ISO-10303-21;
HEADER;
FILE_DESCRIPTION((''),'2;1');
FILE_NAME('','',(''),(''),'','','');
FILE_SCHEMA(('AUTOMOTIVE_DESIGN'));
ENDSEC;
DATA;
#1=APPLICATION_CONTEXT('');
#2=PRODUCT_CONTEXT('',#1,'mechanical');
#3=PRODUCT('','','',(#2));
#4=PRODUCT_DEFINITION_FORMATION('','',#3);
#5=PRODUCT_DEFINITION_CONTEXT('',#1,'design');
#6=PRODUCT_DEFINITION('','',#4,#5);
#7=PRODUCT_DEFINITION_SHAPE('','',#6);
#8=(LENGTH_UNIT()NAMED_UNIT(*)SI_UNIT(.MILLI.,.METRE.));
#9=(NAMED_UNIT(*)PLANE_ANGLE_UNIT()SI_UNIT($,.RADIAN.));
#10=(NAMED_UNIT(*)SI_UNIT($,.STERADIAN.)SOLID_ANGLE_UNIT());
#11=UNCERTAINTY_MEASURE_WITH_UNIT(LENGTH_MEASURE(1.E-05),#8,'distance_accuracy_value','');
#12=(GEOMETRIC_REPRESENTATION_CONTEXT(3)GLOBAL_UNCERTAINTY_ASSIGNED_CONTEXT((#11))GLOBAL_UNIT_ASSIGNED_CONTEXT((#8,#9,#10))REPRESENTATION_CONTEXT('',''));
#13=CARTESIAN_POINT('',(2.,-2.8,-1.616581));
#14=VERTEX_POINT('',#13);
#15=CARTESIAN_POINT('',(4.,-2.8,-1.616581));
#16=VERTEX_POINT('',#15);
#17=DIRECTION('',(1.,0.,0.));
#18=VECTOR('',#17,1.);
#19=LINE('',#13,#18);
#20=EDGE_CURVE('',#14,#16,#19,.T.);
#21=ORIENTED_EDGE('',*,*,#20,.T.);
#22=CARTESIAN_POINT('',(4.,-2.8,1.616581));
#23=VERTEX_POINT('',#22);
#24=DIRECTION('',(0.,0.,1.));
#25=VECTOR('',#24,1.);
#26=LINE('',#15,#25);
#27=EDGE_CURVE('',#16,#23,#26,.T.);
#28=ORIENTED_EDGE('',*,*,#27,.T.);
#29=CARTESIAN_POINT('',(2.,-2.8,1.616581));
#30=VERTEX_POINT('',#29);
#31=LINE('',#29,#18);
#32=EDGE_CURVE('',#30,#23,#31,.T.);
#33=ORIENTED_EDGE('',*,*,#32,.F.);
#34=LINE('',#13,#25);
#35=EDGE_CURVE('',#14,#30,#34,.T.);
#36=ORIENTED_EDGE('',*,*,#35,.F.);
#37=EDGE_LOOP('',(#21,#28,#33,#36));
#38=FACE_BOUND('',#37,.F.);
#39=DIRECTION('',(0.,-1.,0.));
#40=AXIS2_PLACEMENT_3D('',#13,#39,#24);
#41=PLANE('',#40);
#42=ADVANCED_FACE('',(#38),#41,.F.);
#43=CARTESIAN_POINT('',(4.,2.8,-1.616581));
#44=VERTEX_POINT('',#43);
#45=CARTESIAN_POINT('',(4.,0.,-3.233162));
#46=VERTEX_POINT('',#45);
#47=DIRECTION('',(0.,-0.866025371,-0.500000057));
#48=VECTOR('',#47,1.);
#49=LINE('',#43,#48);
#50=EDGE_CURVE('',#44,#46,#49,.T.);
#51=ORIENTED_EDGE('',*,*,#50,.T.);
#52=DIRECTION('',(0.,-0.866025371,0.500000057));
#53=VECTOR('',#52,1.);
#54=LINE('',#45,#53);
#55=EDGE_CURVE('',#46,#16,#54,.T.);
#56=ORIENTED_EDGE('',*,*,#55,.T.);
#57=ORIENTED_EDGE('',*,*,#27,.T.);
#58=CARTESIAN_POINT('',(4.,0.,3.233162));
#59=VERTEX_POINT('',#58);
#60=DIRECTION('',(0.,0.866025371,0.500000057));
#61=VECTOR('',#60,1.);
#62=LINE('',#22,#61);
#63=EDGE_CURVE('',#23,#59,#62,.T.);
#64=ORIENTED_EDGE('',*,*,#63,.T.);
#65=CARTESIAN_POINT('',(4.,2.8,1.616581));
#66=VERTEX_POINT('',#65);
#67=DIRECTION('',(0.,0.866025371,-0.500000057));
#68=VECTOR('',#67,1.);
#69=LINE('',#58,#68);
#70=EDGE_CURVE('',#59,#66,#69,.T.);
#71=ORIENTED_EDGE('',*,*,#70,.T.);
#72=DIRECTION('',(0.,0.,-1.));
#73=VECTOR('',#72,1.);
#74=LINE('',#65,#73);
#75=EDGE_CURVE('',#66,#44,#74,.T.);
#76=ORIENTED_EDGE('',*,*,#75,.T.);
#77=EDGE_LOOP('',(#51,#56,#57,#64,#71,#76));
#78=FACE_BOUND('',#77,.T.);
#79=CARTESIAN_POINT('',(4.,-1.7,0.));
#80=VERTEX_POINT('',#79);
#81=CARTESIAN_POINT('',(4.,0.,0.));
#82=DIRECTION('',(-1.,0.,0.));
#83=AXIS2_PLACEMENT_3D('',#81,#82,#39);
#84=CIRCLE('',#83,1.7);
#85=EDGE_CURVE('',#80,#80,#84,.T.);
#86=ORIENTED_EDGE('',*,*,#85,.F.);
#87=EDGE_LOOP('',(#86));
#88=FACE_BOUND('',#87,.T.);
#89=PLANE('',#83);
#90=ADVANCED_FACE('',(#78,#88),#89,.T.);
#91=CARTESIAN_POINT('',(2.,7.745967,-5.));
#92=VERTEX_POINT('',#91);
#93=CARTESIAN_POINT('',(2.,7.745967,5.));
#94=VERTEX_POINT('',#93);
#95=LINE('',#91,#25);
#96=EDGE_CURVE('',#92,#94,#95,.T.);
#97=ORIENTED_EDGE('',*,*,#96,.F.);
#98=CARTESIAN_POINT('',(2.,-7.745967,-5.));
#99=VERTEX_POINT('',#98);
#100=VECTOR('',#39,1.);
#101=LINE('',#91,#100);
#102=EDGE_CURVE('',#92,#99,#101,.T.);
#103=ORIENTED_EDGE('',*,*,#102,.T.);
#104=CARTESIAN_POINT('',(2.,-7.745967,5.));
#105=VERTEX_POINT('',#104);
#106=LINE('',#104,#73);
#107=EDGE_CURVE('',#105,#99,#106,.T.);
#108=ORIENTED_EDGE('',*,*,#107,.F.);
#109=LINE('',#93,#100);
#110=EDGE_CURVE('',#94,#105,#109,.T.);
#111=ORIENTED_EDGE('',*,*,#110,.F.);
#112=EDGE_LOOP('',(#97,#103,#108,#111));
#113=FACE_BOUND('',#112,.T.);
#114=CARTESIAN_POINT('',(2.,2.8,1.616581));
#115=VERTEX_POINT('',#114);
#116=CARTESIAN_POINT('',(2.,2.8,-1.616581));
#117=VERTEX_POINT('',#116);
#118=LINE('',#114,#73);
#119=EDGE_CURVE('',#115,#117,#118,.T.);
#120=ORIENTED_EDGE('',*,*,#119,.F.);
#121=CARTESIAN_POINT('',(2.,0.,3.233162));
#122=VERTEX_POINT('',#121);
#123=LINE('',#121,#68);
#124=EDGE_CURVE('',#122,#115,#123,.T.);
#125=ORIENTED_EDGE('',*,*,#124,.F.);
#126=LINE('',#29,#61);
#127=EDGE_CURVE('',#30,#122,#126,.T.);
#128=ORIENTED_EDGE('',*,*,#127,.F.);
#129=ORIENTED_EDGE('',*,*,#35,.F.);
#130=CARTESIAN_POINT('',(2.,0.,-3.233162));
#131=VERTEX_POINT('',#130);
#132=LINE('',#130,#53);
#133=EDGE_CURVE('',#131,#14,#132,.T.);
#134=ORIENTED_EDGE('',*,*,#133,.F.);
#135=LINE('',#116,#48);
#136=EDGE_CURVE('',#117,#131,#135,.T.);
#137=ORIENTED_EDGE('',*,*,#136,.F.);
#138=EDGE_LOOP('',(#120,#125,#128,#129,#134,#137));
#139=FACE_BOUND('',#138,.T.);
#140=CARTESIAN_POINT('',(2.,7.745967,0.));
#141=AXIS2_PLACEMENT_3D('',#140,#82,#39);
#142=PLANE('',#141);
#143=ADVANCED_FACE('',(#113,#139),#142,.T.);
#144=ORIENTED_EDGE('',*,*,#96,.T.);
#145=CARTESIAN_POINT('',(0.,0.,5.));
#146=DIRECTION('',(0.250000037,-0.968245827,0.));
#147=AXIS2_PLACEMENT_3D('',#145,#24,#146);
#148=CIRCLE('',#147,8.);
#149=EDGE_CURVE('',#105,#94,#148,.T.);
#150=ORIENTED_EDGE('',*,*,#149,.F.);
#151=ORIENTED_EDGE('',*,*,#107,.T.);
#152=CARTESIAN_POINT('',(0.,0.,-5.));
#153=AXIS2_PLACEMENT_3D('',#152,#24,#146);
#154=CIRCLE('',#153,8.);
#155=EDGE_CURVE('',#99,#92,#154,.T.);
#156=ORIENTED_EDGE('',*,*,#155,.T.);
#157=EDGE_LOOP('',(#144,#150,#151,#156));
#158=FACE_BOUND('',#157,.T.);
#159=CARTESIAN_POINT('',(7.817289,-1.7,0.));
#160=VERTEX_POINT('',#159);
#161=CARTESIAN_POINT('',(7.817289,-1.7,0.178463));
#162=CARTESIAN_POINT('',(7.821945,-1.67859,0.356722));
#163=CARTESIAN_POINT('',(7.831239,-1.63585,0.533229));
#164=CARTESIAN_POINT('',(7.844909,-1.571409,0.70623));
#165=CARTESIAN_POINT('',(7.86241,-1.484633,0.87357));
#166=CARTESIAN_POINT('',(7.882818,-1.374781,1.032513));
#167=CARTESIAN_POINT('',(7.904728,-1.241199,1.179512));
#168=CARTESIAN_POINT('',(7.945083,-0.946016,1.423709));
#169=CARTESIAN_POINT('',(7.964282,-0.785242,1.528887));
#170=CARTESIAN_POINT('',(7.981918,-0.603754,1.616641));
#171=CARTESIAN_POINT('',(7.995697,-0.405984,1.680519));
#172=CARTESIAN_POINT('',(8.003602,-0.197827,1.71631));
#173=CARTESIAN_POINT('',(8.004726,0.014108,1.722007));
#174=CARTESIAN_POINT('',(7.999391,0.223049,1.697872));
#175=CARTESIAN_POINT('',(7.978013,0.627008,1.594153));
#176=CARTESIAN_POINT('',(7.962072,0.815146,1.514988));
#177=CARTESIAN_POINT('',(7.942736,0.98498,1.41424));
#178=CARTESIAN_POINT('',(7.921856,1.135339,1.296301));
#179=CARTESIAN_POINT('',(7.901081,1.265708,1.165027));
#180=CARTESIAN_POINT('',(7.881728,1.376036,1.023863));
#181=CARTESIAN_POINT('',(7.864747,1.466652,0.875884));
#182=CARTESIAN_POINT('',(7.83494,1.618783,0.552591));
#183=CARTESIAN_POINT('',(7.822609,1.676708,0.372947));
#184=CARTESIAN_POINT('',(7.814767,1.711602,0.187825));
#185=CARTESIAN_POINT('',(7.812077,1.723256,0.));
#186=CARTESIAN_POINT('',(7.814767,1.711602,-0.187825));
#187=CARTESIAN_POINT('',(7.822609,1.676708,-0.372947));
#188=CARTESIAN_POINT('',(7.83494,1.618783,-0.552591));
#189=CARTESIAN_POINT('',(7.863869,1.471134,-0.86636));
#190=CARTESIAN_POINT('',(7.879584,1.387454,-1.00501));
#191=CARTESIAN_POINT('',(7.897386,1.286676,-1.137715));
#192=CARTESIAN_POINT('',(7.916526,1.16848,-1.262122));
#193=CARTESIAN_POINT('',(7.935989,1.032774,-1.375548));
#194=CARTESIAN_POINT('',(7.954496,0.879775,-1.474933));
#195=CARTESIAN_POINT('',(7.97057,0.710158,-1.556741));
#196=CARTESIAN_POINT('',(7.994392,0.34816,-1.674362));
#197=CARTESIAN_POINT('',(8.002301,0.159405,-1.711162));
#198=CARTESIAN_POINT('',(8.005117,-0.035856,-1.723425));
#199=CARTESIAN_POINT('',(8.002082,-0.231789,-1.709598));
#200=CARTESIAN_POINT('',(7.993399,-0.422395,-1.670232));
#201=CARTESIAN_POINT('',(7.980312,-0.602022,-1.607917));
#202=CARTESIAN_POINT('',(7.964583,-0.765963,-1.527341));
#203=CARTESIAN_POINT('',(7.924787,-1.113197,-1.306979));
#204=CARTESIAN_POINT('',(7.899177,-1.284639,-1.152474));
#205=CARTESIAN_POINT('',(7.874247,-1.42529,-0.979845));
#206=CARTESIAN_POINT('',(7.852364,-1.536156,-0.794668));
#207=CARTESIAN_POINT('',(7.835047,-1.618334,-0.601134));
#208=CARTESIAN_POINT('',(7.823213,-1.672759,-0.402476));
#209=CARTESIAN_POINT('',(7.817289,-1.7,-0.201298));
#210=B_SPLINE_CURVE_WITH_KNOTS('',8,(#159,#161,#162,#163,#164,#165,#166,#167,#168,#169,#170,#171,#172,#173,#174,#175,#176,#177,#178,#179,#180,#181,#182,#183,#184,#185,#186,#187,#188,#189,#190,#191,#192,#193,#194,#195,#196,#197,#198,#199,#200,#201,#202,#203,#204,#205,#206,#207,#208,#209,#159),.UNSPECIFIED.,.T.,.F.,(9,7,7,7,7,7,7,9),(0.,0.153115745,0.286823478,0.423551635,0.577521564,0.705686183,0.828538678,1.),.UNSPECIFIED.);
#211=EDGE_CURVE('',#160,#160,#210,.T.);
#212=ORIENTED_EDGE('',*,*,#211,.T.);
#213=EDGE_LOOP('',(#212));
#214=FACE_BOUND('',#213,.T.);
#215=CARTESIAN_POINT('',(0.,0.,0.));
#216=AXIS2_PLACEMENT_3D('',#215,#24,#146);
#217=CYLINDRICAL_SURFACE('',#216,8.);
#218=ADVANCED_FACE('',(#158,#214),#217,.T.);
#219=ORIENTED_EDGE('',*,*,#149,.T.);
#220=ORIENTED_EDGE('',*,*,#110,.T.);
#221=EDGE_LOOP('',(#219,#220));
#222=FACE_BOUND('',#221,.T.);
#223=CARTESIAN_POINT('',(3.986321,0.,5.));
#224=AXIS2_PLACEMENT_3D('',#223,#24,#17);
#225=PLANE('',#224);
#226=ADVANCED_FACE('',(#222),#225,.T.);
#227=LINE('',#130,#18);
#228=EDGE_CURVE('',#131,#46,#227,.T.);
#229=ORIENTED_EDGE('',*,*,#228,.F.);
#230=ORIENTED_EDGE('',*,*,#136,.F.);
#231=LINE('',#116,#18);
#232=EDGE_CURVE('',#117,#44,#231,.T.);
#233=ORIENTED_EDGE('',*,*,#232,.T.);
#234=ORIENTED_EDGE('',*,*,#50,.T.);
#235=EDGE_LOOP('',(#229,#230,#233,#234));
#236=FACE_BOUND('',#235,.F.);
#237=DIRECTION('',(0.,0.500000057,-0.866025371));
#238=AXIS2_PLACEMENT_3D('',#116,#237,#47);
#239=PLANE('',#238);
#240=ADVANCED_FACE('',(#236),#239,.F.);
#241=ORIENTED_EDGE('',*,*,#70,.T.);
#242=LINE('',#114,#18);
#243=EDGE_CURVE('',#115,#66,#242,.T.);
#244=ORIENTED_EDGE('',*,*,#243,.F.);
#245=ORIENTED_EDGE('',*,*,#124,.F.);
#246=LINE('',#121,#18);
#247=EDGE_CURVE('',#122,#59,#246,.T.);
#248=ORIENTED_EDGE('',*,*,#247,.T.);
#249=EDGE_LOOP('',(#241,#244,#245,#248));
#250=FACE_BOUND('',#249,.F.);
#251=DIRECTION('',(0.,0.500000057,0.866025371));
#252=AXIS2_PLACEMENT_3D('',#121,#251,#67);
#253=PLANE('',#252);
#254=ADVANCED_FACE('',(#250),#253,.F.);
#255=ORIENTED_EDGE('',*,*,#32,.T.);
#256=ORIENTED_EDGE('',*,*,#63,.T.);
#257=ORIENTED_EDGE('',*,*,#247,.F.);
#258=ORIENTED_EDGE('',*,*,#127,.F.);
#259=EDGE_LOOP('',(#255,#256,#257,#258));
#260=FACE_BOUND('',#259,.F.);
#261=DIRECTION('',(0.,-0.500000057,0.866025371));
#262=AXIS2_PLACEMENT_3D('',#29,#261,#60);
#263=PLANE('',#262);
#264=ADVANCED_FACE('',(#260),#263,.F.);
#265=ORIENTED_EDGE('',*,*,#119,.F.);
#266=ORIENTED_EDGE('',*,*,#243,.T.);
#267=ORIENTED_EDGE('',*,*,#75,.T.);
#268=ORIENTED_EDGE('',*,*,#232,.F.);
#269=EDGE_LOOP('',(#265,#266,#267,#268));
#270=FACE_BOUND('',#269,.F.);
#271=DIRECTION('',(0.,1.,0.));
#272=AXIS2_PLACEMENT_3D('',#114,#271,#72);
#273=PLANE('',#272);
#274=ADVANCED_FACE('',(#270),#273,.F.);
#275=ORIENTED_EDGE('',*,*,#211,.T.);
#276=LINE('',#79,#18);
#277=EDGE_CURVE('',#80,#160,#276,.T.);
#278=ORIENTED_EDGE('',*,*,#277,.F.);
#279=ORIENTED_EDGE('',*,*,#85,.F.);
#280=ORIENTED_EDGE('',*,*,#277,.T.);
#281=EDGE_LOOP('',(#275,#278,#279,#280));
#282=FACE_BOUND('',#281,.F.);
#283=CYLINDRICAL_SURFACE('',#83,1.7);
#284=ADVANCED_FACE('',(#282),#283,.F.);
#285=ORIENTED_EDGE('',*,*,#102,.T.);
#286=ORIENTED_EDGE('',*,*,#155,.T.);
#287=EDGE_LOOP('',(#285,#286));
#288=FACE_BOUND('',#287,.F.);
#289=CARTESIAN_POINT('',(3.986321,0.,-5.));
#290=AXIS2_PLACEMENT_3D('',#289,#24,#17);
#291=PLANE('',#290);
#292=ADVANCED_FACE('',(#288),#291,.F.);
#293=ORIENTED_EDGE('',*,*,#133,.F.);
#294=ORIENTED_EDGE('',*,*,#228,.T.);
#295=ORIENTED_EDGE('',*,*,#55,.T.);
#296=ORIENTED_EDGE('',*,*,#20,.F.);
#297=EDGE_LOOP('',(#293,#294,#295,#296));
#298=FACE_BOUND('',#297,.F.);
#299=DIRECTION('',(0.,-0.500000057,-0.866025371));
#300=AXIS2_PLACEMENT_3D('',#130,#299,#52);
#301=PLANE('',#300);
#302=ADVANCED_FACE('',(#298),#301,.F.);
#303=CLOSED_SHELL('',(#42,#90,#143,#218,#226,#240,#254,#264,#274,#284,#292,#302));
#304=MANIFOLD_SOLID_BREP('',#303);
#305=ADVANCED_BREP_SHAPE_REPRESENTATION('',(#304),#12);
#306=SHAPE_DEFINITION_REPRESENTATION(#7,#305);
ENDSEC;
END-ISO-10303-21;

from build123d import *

# Parameters (mm, degrees)
PAD_DEPTH       = 5
POCKET_DEPTH    = 2
SKETCH002_R     = 1.7
POCKET001_DEPTH = 4.001


with BuildPart() as part:
    # Sketch → Pad (new body, symmetric)
    with BuildSketch(Plane.XY):
        with BuildLine():
            ThreePointArc((2, -7.745967), (8, 0), (2, 7.745967))
            Line((2, 7.745967), (2, -7.745967))
        make_face()
    extrude(amount=PAD_DEPTH, both=True)

    # Sketch001 → Pocket (cut)
    with BuildSketch(Plane(origin=(2, 0, 0), x_dir=(0, -1, 0), z_dir=(-1, 0, 0))):
        Polygon((2.8, -1.616581), (2.8, 1.616581), (0, 3.233162), (-2.8, 1.616581), (-2.8, -1.616581), (0, -3.233162), align=None)
    extrude(amount=-POCKET_DEPTH, mode=Mode.SUBTRACT)

    # Sketch002 → Pocket001 (cut, through all)
    with BuildSketch(Plane(origin=(4, 0, 0), x_dir=(0, -1, 0), z_dir=(-1, 0, 0))):
        Circle(SKETCH002_R)
    extrude(amount=-POCKET001_DEPTH, mode=Mode.SUBTRACT)


solid = part.part
